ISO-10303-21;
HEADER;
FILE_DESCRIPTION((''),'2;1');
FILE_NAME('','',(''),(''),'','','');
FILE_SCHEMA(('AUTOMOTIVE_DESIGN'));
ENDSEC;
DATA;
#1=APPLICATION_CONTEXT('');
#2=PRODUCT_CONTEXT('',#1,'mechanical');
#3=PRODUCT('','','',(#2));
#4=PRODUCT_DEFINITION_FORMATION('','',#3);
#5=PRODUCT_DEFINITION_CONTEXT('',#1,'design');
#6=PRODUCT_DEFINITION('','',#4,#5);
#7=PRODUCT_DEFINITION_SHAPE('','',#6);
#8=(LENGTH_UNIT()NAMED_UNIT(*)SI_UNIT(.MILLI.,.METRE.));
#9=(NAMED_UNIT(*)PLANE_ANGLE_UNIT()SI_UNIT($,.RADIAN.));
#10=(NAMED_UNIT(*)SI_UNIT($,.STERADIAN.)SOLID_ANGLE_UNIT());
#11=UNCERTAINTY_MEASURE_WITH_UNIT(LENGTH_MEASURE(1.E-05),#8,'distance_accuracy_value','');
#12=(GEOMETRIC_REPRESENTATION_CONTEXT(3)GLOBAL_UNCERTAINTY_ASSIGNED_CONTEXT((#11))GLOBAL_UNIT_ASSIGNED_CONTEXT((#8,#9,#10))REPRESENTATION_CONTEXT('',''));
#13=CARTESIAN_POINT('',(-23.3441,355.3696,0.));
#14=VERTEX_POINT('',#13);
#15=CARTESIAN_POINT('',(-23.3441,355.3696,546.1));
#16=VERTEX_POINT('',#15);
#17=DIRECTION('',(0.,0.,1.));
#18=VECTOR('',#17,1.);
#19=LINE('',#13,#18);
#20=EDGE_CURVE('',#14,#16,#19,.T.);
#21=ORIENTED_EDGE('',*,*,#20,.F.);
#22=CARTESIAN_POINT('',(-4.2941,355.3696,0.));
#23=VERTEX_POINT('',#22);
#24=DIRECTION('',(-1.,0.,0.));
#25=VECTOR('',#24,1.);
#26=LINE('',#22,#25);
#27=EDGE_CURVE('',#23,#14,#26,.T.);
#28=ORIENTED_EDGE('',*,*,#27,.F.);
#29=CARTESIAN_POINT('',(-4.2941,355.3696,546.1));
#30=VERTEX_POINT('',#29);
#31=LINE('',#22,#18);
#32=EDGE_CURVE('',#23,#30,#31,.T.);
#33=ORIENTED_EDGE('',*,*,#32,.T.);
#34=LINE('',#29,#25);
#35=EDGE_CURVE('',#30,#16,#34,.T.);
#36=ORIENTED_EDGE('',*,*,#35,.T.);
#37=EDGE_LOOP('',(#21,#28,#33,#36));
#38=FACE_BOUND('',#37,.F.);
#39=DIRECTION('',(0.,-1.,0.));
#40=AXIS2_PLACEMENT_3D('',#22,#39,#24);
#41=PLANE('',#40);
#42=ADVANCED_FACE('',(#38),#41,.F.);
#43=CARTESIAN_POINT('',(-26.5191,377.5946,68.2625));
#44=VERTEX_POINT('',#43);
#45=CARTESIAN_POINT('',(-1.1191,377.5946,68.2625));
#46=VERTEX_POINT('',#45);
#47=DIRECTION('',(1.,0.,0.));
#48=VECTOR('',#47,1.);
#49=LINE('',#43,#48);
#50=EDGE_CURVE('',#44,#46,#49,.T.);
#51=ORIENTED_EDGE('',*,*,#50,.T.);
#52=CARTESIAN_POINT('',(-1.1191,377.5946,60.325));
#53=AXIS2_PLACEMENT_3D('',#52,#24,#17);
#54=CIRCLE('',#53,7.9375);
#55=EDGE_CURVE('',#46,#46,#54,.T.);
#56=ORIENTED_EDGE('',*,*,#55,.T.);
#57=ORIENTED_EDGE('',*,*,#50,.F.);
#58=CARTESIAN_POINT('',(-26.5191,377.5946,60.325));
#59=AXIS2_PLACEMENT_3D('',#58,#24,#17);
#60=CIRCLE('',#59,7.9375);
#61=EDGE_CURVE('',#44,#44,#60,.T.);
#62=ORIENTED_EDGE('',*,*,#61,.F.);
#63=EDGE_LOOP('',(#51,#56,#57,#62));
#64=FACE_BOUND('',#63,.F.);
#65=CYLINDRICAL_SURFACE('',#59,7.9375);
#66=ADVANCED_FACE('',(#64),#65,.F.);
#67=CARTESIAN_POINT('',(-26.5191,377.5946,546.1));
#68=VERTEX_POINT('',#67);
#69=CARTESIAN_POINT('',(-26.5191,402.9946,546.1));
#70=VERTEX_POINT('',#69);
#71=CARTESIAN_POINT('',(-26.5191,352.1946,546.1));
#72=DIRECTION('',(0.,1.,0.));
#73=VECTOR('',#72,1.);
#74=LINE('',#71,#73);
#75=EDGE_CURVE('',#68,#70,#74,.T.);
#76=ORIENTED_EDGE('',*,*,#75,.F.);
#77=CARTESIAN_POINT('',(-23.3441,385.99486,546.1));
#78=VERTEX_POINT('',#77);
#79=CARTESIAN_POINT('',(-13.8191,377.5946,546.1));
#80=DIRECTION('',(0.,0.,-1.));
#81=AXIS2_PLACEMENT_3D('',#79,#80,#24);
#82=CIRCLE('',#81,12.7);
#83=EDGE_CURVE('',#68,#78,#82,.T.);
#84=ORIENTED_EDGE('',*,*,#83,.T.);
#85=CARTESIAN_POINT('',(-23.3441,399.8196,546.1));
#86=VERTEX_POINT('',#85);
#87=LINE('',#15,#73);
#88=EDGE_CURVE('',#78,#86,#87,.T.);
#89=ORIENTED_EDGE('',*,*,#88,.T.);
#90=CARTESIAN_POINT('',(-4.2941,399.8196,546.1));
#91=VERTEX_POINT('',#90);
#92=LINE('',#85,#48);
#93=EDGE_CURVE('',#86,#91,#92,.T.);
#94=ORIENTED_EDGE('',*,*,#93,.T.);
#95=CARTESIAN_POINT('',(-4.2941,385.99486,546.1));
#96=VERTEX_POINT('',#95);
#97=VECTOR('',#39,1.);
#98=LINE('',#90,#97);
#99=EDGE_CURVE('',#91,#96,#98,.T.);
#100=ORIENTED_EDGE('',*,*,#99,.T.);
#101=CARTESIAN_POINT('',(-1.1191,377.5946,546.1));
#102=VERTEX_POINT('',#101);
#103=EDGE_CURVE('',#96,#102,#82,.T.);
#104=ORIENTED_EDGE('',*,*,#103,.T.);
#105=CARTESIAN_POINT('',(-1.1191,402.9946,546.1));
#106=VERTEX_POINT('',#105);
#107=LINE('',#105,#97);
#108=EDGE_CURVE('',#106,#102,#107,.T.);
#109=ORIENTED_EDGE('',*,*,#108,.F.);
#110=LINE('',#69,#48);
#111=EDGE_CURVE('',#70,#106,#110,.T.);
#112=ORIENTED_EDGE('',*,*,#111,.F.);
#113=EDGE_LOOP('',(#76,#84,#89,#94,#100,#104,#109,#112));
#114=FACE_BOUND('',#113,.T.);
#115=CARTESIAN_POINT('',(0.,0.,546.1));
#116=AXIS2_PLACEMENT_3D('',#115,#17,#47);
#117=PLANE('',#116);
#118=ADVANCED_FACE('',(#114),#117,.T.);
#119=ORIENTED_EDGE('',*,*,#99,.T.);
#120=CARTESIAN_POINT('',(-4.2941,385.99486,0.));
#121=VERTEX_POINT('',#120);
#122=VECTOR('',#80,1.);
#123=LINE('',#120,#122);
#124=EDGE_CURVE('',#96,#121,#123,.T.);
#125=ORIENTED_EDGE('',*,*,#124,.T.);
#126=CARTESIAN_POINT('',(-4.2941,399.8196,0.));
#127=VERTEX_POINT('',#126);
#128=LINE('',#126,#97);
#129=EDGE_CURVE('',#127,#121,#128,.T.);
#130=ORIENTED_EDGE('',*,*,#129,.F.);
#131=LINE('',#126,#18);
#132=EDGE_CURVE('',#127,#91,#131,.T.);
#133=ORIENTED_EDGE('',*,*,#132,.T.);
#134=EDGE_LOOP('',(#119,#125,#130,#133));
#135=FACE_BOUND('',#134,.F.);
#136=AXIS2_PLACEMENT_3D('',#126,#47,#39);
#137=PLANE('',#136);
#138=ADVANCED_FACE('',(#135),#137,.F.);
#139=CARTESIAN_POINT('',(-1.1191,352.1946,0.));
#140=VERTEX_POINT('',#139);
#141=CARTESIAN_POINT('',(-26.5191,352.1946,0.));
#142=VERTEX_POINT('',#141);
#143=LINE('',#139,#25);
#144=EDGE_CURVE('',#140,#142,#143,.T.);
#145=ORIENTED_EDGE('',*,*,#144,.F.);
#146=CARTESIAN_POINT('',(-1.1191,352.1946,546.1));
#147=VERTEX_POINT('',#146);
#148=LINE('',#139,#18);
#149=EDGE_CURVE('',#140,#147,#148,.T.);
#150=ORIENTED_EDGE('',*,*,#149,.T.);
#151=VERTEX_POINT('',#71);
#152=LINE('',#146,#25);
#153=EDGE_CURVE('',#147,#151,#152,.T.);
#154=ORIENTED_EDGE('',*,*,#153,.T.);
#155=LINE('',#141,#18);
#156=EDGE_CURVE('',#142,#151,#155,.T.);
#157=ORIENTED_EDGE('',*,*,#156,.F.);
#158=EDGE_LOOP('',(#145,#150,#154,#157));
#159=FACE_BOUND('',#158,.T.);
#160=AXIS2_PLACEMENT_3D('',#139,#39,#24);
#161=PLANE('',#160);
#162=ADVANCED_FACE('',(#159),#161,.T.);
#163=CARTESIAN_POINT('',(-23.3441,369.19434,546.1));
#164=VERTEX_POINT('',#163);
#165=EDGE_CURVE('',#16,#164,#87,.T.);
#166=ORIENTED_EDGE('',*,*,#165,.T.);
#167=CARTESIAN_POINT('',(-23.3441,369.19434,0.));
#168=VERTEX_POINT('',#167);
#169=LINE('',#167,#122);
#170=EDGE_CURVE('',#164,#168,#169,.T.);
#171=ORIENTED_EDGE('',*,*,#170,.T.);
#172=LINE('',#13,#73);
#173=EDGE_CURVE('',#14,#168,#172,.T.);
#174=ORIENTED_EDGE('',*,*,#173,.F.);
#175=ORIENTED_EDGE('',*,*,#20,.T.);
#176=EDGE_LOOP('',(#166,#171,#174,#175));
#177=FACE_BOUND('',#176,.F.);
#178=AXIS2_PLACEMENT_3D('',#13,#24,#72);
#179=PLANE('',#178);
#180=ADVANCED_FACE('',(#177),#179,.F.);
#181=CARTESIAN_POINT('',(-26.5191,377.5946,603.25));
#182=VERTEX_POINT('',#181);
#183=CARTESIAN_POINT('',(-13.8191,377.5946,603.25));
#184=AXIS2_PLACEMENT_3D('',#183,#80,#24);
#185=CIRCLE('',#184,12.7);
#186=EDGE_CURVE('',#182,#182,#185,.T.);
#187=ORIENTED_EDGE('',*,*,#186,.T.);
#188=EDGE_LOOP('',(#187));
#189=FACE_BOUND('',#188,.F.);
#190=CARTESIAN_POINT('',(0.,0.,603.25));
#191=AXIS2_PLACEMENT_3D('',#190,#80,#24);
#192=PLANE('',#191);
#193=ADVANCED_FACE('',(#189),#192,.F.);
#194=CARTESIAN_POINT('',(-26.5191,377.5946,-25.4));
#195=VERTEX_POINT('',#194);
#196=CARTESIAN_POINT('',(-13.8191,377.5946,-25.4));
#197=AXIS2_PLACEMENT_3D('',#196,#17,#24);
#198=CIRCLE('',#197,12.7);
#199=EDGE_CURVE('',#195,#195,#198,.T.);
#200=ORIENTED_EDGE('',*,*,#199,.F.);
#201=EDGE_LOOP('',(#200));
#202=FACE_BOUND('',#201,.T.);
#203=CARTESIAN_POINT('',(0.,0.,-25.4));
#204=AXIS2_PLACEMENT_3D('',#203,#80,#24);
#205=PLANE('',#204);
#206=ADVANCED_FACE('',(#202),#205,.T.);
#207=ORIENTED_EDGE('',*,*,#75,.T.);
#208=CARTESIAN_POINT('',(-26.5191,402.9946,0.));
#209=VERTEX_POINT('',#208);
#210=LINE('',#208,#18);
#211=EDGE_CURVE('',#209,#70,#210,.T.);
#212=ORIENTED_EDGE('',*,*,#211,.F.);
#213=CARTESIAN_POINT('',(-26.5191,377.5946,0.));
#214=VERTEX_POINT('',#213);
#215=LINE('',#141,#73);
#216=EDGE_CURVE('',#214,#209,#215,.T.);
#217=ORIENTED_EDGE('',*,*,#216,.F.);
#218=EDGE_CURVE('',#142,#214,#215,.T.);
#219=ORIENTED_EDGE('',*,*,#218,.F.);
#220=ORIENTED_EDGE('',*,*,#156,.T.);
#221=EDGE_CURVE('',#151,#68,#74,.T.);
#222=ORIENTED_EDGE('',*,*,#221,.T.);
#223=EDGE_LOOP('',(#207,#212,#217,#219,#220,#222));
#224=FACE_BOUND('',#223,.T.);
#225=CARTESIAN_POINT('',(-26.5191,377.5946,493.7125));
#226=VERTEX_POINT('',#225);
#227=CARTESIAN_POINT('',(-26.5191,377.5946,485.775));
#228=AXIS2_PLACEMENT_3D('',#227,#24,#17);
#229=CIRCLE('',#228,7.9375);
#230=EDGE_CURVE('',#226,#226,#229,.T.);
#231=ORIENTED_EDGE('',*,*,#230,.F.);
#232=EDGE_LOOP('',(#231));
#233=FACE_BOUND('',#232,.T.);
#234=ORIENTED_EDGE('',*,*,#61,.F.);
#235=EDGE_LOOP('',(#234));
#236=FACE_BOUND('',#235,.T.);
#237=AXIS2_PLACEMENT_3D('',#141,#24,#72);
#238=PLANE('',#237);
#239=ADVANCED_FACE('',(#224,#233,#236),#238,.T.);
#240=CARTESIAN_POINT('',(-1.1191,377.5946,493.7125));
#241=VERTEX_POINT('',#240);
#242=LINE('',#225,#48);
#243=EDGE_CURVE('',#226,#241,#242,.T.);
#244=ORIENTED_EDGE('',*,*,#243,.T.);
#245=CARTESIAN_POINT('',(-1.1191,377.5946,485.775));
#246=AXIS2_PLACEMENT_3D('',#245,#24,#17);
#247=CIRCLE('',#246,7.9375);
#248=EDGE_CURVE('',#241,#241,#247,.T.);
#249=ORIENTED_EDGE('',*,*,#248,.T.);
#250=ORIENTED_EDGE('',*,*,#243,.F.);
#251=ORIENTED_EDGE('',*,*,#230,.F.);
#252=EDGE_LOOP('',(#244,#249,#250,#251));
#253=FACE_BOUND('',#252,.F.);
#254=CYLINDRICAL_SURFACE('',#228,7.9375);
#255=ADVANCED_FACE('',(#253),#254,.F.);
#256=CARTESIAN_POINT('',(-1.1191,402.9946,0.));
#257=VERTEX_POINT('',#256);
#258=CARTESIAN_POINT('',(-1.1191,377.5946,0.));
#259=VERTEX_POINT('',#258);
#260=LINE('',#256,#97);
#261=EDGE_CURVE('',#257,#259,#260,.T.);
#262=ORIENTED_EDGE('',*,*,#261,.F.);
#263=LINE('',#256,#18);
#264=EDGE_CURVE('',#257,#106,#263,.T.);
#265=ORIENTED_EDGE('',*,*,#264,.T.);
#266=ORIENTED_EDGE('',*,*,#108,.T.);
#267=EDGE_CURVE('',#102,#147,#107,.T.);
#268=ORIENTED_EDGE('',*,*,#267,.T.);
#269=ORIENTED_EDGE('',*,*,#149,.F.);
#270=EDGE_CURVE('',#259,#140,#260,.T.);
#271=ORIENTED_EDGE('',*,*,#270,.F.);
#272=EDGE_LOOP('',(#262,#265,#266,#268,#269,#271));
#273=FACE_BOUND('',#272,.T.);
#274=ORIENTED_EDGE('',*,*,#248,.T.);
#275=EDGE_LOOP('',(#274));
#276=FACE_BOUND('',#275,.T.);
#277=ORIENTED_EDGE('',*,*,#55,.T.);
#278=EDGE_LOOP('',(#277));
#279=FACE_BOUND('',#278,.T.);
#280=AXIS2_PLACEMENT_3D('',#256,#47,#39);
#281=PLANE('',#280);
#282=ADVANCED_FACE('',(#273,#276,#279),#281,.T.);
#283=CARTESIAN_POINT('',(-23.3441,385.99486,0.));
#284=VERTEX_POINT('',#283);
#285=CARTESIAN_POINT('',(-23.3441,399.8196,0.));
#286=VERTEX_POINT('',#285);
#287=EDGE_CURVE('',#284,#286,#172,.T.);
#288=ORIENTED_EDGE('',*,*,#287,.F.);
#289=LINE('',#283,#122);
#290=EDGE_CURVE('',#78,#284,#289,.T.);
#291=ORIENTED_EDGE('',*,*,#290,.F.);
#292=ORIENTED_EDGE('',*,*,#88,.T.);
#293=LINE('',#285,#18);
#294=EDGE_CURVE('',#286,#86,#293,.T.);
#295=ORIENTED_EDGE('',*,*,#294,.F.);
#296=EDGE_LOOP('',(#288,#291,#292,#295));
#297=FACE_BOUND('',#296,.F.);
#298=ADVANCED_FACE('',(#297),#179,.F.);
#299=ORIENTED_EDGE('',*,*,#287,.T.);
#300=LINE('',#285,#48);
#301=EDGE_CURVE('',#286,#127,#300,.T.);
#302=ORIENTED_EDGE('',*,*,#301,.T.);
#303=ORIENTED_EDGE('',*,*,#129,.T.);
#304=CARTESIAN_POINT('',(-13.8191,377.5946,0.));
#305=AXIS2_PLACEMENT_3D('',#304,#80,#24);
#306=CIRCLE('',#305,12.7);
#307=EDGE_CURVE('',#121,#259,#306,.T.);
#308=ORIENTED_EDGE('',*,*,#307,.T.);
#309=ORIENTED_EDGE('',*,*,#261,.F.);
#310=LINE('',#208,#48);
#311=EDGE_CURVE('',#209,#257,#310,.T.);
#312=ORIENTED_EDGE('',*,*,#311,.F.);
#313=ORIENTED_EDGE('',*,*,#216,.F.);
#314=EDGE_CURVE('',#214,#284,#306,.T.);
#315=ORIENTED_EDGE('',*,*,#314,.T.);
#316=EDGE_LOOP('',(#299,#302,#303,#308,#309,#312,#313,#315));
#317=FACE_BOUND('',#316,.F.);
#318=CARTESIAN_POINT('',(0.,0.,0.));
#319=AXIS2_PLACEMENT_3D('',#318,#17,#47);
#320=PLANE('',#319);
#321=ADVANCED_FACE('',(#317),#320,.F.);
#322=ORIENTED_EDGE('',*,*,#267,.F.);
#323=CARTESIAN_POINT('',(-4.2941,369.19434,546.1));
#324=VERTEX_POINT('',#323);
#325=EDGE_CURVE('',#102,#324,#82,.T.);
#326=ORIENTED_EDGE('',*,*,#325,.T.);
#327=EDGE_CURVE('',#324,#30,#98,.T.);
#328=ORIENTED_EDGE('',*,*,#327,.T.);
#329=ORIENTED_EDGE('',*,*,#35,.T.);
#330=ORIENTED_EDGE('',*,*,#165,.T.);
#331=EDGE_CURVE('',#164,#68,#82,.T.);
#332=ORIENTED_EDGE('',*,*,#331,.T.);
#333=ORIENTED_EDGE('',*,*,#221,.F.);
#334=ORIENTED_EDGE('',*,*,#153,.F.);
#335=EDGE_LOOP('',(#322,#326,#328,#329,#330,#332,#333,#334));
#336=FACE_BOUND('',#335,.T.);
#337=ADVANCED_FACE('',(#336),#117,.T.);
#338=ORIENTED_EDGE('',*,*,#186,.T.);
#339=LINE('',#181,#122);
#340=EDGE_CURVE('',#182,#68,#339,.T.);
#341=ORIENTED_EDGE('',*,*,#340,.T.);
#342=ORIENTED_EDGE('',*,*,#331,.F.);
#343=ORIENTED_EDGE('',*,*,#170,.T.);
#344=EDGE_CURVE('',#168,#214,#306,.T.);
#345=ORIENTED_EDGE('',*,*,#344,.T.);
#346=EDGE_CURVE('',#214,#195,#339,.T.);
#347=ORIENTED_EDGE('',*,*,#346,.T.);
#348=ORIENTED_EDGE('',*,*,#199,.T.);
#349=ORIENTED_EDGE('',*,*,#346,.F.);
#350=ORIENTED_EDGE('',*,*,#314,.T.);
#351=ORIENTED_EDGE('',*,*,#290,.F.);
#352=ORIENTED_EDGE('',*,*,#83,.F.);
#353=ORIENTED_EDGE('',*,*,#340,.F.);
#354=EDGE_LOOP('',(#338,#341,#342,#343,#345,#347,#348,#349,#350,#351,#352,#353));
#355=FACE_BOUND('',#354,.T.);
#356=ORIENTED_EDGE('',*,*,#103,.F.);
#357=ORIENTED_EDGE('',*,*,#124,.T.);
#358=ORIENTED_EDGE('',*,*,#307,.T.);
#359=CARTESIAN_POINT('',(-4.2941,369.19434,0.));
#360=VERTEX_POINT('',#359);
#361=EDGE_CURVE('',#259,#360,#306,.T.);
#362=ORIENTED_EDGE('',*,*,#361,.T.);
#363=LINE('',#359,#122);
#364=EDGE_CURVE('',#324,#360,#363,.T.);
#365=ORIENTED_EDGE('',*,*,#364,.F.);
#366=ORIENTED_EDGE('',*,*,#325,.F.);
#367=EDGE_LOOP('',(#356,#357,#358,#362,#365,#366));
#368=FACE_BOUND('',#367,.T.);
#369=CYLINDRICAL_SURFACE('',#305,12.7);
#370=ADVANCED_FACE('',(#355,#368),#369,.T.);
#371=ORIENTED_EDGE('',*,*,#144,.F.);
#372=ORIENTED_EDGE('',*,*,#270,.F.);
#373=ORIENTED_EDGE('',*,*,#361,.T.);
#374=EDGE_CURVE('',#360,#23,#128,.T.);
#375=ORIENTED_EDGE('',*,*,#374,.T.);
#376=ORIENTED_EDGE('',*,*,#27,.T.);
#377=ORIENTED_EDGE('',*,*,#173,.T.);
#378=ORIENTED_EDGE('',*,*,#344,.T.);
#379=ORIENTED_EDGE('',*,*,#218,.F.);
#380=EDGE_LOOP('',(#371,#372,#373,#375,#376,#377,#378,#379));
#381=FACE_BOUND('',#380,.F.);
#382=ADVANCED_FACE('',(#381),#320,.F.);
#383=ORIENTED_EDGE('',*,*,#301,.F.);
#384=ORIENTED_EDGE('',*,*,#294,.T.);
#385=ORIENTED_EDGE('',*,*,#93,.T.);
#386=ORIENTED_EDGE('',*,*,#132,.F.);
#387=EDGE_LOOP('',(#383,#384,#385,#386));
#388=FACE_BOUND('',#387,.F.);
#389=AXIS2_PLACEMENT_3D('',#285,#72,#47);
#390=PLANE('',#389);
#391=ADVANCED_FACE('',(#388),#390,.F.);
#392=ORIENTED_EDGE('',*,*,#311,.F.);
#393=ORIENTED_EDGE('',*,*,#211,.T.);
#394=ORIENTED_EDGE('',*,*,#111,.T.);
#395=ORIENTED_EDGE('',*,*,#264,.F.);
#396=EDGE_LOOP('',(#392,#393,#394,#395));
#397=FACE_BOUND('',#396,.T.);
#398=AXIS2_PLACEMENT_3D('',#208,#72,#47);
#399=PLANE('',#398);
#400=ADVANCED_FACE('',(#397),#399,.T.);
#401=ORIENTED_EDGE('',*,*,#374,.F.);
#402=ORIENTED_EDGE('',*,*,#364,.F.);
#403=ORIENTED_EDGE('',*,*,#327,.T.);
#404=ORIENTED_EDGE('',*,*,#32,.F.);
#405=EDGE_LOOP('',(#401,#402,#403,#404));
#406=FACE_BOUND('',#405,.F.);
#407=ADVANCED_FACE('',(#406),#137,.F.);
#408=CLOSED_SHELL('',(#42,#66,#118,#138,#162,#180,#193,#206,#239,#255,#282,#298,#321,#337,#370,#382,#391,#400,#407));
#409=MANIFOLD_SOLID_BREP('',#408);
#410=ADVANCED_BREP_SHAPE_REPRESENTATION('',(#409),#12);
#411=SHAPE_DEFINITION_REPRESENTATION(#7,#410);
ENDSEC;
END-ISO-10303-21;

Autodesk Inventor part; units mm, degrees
ref_plane "YZ Plane" through (0, 0, 0) normal (1, 0, 0) x (0, 1, 0)
ref_plane "XZ Plane" through (0, 0, 0) normal (0, 1, 0) x (-1, 0, 0)
ref_plane "XY Plane" through (0, 0, 0) normal (0, 0, 1) x (1, 0, 0)
sketch "Sketch1" plane through (0, 0, 0) normal (0, 0, 1) x (1, 0, 0)
  line L0 (-26.5191, 402.9946) -> (-1.1191, 402.9946)
  line L1 (-1.1191, 402.9946) -> (-1.1191, 352.1946)
  line L2 (-1.1191, 352.1946) -> (-26.5191, 352.1946)
  line L3 (-26.5191, 352.1946) -> (-26.5191, 402.9946)
  line L4 (-23.3441, 399.8196) -> (-4.2941, 399.8196)
  line L5 (-4.2941, 399.8196) -> (-4.2941, 355.3696)
  line L6 (-4.2941, 355.3696) -> (-23.3441, 355.3696)
  line L7 (-23.3441, 355.3696) -> (-23.3441, 399.8196)
  point P0 (0, 0)
  dimension "d0" = 50.8
  dimension "d1" = 25.4
  dimension "d2" = 3.175
extrude "Extrusion1" add sketch "Sketch1" along normal blind 546.1
sketch "Sketch2" plane through (0, 0, 0) normal (0, 0, -1) x (-1, 0, 0)
  circle A0 centre (13.8191, 377.5946) radius 12.7
  line L0 (23.3441, 399.8196) -> (23.3441, 355.3696) projected
  line L1 (23.3441, 355.3696) -> (4.2941, 355.3696) projected
  point P0 (0, 0)
  point P1 (23.3441, 377.5946)
  point P2 (13.8191, 355.3696)
  dimension "d6" = 25.4
extrude "Extrusion2" add sketch "Sketch2" along normal blind 25.4 and the other way blind 603.25
sketch "Sketch4" plane through (-26.5191, 352.1946, 0) normal (-1, 0, 0) x (0, 0, 1)
  circle A0 centre (60.325, 25.4) radius 7.9375
  line L0 (0, 25.4) -> (0, 50.8) projected
  circle A1 centre (485.775, 25.4) radius 7.9375
  line L1 (546.1, 0) -> (546.1, 25.4) projected
  line L2 (0, 25.4) -> (0, 0) projected
  point P0 (0, -352.1946)
  point P1 (273.05, 25.4)
  dimension "d17" = 15.875
  dimension "d19" = 15.875
  dimension "d23" = 546.1
  dimension "d24" = 273.05
  dimension "d26" = 212.725
  dimension "d27" = 425.45
extrude "Extrusion4" cut sketch "Sketch4" against normal through all
equation "\"d19\" = d17"
equation "\"d24\" = 0.5 * d23"
equation "\"d26\" = 0.5 * d27"
properties part number "Intake 3 Cross Bar"
